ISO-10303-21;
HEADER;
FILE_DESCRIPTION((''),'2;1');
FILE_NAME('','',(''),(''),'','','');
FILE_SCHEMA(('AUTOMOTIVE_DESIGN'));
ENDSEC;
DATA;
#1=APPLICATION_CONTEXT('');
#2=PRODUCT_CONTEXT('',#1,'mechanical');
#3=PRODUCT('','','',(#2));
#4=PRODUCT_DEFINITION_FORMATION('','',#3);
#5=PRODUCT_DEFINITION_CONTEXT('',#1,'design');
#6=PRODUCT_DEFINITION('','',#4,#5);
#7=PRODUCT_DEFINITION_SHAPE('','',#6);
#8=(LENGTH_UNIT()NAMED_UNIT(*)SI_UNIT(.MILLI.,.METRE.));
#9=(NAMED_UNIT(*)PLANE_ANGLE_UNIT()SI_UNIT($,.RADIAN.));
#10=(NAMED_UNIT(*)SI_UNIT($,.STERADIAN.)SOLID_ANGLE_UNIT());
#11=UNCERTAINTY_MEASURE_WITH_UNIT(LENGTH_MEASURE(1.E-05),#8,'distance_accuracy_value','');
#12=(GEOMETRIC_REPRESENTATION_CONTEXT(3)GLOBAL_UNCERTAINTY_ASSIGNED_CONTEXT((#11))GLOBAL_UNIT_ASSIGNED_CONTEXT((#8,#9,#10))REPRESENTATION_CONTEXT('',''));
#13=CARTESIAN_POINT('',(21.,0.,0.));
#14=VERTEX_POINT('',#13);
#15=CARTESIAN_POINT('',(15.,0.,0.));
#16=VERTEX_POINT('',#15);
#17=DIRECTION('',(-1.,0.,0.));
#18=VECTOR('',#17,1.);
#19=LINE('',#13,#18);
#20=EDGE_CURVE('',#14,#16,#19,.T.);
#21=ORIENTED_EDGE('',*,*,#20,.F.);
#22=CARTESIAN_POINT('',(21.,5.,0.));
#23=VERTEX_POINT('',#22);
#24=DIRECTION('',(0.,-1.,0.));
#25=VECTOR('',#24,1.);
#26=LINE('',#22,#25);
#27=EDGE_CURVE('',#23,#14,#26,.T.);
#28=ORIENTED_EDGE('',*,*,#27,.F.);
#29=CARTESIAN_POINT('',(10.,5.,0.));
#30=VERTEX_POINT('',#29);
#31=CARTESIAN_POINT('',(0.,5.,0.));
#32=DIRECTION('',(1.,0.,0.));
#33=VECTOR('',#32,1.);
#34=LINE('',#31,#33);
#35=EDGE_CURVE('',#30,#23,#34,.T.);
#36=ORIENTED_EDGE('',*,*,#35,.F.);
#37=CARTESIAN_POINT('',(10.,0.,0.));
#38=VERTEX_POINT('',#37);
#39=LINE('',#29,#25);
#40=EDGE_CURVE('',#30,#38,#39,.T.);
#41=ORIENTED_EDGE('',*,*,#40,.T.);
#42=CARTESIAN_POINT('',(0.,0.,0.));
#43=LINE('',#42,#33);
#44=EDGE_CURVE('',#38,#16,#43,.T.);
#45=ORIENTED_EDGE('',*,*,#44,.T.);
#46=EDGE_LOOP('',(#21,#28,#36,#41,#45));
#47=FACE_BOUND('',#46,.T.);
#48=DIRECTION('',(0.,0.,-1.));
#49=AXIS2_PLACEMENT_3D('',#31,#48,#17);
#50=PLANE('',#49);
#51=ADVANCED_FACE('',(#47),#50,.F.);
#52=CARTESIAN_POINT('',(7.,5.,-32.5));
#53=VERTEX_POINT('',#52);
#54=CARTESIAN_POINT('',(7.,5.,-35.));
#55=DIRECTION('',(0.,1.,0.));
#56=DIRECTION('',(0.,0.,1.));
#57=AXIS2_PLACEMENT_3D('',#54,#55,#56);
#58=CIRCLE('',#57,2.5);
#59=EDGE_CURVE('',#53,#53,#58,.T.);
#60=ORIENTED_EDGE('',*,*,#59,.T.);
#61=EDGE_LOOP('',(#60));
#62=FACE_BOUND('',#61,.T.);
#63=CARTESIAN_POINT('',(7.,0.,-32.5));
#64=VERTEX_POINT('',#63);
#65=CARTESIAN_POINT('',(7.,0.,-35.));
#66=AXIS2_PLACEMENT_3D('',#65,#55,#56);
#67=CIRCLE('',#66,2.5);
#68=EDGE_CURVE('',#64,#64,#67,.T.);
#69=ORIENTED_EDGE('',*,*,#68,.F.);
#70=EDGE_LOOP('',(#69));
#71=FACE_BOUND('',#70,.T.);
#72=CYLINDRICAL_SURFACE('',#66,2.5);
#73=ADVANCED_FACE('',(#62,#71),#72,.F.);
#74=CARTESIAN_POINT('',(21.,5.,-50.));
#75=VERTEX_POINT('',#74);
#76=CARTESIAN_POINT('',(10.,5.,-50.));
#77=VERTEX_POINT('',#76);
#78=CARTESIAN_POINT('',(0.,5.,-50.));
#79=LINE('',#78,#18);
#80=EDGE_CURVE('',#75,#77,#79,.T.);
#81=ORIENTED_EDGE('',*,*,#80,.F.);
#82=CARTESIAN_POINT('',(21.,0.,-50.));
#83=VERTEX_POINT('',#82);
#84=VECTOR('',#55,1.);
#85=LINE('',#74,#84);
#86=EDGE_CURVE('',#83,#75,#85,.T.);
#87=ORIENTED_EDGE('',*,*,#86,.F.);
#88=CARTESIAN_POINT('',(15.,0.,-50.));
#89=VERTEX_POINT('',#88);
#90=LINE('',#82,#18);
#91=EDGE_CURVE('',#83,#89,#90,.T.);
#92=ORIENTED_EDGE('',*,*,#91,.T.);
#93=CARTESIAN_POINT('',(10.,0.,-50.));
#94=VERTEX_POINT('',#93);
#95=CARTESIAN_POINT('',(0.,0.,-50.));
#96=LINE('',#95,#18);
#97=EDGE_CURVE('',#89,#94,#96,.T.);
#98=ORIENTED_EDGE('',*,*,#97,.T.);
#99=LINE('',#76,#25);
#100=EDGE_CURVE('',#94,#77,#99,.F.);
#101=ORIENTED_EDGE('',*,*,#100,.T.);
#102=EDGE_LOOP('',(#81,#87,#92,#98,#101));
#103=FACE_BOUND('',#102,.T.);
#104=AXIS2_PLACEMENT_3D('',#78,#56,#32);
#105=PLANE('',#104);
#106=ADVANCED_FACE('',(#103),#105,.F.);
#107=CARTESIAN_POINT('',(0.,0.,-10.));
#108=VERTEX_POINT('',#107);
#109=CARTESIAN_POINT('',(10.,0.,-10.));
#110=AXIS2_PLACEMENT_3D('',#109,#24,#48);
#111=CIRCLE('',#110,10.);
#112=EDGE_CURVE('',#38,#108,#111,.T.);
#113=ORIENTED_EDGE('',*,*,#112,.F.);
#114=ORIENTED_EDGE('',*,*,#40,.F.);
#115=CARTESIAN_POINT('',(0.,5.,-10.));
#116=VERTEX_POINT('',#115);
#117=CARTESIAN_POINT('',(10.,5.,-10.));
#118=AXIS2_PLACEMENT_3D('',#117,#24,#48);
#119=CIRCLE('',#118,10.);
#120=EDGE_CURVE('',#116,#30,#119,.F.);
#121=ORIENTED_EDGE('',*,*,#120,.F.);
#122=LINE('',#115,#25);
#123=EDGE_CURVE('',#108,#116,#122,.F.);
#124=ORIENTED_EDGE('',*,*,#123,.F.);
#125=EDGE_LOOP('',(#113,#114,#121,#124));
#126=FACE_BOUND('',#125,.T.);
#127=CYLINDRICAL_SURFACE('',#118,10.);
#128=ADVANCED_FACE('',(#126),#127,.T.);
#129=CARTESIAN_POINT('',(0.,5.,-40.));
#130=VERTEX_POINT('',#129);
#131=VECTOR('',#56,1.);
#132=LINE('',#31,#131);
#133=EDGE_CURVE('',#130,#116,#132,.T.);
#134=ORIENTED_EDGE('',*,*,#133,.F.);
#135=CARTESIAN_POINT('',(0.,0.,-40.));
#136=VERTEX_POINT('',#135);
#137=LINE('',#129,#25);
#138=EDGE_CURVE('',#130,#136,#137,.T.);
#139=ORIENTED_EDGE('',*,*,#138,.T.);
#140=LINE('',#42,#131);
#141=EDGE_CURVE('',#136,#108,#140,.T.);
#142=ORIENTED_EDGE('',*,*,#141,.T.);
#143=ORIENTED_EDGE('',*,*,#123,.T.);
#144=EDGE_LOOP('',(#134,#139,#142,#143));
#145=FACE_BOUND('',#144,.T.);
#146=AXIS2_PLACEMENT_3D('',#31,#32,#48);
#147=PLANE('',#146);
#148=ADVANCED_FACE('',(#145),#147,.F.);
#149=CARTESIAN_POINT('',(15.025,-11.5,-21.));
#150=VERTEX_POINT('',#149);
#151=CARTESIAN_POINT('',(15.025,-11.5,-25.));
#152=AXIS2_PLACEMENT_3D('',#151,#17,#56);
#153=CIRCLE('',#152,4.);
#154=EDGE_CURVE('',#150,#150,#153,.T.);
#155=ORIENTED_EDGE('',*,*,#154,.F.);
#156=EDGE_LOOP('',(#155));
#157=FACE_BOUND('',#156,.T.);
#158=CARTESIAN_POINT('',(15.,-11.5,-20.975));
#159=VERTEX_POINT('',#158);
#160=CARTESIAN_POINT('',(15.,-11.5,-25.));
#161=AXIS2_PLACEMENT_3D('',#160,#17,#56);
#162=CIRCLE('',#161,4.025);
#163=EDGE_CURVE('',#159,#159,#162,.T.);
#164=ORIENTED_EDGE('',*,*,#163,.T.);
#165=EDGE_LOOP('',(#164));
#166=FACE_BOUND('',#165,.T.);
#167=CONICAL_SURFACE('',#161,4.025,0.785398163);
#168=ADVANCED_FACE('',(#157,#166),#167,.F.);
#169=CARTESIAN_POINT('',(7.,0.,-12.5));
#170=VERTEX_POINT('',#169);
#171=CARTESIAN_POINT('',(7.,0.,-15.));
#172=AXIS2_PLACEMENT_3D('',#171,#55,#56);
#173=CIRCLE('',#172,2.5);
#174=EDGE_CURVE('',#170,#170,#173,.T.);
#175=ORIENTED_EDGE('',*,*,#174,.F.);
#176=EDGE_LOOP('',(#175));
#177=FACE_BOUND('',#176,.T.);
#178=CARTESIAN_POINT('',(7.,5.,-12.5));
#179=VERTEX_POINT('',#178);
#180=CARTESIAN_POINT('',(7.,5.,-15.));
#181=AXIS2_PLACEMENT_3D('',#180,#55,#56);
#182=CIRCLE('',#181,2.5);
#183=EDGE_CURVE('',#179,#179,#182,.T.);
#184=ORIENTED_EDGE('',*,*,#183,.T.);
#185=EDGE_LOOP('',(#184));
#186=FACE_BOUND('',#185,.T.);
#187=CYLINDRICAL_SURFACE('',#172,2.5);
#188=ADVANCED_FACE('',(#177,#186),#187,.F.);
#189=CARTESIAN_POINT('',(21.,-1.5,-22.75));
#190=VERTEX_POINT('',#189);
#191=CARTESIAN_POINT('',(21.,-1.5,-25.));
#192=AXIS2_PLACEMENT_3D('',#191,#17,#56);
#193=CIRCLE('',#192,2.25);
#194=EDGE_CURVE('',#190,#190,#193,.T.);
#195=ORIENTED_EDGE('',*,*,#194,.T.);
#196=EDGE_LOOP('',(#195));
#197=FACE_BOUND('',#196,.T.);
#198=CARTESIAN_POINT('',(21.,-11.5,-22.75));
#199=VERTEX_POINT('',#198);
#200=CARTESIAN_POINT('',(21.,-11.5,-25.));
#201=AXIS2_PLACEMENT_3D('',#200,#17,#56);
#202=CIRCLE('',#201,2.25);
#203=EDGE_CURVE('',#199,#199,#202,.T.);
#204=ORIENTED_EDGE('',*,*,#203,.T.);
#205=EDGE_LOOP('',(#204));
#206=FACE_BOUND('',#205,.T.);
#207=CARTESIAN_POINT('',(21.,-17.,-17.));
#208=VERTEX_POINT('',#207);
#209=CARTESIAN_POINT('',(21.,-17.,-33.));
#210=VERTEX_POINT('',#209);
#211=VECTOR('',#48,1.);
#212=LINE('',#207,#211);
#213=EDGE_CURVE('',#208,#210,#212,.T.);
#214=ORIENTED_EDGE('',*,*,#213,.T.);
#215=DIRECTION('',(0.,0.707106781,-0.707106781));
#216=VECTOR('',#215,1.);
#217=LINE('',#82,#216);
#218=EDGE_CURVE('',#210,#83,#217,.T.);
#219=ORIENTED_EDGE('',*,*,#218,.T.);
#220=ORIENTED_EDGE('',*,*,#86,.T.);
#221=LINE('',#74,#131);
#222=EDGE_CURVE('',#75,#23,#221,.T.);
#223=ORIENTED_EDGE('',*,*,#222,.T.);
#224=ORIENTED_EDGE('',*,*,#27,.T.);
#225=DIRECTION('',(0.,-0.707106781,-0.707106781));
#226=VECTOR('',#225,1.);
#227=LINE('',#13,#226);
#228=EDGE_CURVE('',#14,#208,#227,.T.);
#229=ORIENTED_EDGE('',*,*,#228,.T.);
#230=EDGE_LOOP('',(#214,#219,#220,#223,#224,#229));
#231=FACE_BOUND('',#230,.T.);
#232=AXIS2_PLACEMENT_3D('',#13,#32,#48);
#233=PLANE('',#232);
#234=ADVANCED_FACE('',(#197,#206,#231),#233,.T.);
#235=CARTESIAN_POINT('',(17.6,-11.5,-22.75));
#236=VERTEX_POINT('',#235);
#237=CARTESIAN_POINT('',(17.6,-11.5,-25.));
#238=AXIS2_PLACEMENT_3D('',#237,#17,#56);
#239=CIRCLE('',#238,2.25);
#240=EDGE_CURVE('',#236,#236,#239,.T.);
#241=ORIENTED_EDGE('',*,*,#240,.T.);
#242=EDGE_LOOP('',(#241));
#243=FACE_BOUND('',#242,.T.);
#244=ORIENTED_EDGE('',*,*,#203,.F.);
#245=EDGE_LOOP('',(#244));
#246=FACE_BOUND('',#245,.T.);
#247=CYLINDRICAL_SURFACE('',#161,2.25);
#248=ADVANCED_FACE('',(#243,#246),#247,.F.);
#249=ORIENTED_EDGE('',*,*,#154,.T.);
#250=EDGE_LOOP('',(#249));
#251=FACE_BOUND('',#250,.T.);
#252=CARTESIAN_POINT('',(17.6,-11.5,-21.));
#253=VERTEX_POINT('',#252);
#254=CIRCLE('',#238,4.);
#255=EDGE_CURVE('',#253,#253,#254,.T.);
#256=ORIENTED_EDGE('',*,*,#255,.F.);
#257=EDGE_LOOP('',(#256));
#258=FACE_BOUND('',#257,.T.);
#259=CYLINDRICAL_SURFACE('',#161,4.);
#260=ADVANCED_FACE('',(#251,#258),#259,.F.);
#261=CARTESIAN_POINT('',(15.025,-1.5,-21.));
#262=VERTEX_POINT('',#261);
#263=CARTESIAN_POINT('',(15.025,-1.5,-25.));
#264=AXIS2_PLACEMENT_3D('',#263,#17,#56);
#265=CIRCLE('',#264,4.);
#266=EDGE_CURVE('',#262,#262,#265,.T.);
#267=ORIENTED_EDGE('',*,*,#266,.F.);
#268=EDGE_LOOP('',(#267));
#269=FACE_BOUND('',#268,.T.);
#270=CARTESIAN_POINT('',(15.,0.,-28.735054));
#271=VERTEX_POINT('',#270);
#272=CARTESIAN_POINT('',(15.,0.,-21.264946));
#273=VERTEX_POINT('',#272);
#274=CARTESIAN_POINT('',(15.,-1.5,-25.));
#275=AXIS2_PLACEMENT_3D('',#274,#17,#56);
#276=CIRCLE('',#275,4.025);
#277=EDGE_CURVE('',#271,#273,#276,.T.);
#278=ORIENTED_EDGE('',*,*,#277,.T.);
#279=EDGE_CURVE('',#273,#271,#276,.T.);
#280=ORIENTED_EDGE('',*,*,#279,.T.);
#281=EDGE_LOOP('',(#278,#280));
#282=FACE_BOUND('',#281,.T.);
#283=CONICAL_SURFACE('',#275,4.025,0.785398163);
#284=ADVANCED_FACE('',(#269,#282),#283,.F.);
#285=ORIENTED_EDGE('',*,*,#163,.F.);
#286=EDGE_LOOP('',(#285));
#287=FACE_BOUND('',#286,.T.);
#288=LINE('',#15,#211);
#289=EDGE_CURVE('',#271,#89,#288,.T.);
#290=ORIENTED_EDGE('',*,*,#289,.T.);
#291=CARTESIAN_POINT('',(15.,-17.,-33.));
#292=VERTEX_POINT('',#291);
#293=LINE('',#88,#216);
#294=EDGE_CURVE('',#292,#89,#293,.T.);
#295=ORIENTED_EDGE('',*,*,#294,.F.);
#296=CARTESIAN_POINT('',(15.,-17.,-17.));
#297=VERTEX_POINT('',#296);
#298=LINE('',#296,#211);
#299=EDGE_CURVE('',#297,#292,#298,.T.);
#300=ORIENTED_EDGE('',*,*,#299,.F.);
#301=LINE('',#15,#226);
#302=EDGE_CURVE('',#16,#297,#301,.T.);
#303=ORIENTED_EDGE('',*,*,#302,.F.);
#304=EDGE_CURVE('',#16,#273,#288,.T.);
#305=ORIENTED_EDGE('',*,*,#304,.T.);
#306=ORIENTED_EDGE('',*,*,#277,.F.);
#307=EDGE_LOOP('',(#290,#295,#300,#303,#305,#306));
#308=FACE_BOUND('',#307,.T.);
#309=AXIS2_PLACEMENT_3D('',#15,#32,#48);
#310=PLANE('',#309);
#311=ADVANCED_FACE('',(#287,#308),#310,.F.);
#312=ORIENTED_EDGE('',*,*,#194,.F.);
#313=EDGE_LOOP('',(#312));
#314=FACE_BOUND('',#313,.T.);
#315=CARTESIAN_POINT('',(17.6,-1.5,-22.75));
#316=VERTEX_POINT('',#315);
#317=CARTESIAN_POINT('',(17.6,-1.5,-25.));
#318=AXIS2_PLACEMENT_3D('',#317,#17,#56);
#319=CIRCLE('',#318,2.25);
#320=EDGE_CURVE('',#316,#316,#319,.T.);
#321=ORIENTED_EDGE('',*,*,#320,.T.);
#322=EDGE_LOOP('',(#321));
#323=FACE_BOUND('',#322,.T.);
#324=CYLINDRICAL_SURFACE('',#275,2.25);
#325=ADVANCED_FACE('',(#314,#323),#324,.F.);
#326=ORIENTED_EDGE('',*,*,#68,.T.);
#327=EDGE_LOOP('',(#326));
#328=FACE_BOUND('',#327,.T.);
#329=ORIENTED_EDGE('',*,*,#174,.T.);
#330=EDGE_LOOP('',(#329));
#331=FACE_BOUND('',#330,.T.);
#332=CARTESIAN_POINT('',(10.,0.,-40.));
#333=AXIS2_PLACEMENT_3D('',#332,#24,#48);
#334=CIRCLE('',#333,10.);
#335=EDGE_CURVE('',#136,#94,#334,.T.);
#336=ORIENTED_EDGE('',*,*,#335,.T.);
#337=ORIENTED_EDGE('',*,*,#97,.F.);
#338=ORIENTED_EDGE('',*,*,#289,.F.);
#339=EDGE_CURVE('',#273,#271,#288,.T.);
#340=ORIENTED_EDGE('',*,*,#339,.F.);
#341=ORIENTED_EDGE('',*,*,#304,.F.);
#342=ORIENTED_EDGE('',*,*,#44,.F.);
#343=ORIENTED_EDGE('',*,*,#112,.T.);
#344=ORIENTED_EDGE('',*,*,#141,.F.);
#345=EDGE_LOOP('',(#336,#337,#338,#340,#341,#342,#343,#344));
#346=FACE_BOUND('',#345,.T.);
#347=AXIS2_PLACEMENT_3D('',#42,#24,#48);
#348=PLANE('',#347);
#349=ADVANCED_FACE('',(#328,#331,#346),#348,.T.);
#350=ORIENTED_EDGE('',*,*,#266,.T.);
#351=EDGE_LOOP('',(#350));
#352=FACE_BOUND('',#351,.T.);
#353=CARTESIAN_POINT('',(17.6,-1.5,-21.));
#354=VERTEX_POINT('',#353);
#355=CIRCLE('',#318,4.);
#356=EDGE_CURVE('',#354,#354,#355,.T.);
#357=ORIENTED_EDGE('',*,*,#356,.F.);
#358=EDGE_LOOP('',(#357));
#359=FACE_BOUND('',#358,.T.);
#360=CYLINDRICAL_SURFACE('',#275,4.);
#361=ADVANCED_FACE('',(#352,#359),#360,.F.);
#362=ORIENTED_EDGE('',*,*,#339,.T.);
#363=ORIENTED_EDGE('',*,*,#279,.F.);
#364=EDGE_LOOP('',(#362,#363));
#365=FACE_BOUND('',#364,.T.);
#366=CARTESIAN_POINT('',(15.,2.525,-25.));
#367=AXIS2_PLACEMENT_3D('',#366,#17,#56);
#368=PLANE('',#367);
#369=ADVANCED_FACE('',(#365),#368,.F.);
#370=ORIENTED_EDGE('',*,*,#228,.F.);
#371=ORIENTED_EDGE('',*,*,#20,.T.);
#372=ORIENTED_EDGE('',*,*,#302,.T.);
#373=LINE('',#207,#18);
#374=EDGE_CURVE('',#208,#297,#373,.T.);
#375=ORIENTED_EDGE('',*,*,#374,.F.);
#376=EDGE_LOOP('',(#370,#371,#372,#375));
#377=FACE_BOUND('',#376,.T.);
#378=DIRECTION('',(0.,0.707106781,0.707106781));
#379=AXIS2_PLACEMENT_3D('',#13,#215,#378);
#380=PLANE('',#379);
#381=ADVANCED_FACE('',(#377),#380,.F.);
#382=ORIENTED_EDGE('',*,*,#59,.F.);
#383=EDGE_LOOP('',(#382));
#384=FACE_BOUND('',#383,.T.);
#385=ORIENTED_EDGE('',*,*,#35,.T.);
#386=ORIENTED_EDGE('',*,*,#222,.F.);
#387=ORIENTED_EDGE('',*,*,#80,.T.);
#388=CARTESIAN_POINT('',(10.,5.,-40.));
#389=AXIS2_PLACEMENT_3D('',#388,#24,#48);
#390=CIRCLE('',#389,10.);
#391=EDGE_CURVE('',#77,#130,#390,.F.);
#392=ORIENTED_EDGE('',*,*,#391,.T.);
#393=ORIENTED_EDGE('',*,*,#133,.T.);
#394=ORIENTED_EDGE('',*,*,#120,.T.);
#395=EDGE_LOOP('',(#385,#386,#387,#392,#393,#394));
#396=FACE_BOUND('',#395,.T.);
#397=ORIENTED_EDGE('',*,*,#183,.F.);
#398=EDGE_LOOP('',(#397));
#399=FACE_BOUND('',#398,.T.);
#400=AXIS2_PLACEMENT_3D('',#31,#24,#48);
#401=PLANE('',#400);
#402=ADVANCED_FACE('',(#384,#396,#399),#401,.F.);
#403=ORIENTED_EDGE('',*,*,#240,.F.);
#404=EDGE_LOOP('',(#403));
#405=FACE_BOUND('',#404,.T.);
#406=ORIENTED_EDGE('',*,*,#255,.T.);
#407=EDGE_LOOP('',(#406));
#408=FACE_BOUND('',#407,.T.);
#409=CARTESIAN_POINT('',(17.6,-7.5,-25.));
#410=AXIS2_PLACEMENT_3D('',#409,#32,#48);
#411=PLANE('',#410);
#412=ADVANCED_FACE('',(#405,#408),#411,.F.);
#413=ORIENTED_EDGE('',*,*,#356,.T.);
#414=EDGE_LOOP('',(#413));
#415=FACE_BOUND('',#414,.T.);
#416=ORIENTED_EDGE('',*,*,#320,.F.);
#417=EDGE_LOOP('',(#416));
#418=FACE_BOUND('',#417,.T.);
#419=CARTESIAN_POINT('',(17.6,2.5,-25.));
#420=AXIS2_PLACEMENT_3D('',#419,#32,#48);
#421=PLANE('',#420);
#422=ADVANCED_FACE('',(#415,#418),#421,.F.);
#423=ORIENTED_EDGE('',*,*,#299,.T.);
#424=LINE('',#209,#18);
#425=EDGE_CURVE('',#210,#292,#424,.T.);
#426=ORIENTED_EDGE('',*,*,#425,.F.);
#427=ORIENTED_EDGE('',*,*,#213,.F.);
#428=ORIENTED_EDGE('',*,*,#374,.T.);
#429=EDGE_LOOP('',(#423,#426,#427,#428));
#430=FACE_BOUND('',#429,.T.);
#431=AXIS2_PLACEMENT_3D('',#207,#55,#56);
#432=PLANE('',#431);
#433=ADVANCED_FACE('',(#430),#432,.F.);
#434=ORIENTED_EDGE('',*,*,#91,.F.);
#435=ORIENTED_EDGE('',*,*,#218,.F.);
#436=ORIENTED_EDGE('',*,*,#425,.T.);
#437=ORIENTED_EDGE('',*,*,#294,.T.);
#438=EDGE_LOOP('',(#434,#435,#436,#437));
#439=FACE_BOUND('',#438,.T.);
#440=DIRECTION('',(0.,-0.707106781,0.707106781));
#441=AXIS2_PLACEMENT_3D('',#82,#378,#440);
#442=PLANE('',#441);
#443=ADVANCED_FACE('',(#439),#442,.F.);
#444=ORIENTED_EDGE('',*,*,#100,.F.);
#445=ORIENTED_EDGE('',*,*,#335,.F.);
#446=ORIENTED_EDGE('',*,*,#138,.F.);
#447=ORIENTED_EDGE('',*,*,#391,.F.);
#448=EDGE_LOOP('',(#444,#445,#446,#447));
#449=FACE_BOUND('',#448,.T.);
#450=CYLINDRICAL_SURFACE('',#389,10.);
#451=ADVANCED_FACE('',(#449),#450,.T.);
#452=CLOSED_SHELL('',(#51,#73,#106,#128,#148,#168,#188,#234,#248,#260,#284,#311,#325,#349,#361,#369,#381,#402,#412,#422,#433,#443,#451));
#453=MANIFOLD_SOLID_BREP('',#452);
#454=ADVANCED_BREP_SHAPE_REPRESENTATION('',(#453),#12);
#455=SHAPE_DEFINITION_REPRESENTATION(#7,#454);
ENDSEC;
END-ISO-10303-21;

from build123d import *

# Parameters (mm, degrees)
ESBO_O1_W                                    = 15
ESBO_O1_H                                    = 50
RESSALTO_EXTRUS_O1_DEPTH                     = 5
ESBO_O2_R                                    = 2.5
CORTE_EXTRUS_O1_DEPTH                        = 53.440442409
FILETE1_R                                    = 10
RESSALTO_EXTRUS_O2_DEPTH                     = 6
REBAIXO_PARA_PARAFUSO_COM_CABE_A_RED_2_COUNT = 2
REBAIXO_PARA_PARAFUSO_COM_CABE_A_RED_2_PITCH = 10


with BuildPart() as part:
    # Esboço1 → Ressalto-extrusão1 (new body)
    with BuildSketch(Plane(origin=(0, 0, 0), x_dir=(1, 0, 0), z_dir=(0, 1, 0))):
        with Locations((7.5, 25)):
            Rectangle(ESBO_O1_W, ESBO_O1_H)
    extrude(amount=RESSALTO_EXTRUS_O1_DEPTH)

    # Esboço2 → Corte-extrusão1 (cut, through all)
    with BuildSketch(Plane(origin=(0, 5, 0), x_dir=(1, 0, 0), z_dir=(0, 1, 0))):
        with Locations(Location((7, 35, 0), (0, 0, 270))):
            Circle(ESBO_O2_R)
        with Locations(Location((7, 15, 0), (0, 0, 270))):
            Circle(ESBO_O2_R)
    extrude(amount=-CORTE_EXTRUS_O1_DEPTH, mode=Mode.SUBTRACT)

    # Filete1
    filete1_edges = [part.edges().sort_by_distance(p)[0] for p in [
        (0, 2.5, -50),
        (0, 2.5, 0),
    ]]
    fillet(filete1_edges, radius=FILETE1_R)

    # Esboço3 → Ressalto-extrusão2 (add)
    with BuildSketch(Plane(origin=(15, 0, 0), x_dir=(0, 0, -1), z_dir=(1, 0, 0))):
        Polygon((50, 5), (0, 5), (0, 0), (17, -17), (33, -17), (50, 0), align=None)
    extrude(amount=RESSALTO_EXTRUS_O2_DEPTH)

    # Esboço6 → Rebaixo para parafuso com cabeça redonda de M41 (revolve, cut)
    with BuildSketch(Plane(origin=(15, -11.5, -25), x_dir=(0, 0, 1), z_dir=(0, 1, 0))):
        Polygon((0, 0), (0, 6), (2.25, 6), (2.25, 2.6), (4, 2.6), (4, 0.025), (4.025, 0), align=None)
    rebaixo_para_parafuso_com_cabe_a_redonda = revolve(axis=Axis((8.65, -11.5, -25), (1, 0, 0)), mode=Mode.SUBTRACT)

    # Rebaixo para parafuso com cabe_a red 2: Rebaixo para parafuso com cabeça redonda de M41 ×2
    with Locations(*[(0, i * REBAIXO_PARA_PARAFUSO_COM_CABE_A_RED_2_PITCH, 0) for i in range(1, REBAIXO_PARA_PARAFUSO_COM_CABE_A_RED_2_COUNT)]):
        add(rebaixo_para_parafuso_com_cabe_a_redonda, mode=Mode.SUBTRACT)


solid = part.part
